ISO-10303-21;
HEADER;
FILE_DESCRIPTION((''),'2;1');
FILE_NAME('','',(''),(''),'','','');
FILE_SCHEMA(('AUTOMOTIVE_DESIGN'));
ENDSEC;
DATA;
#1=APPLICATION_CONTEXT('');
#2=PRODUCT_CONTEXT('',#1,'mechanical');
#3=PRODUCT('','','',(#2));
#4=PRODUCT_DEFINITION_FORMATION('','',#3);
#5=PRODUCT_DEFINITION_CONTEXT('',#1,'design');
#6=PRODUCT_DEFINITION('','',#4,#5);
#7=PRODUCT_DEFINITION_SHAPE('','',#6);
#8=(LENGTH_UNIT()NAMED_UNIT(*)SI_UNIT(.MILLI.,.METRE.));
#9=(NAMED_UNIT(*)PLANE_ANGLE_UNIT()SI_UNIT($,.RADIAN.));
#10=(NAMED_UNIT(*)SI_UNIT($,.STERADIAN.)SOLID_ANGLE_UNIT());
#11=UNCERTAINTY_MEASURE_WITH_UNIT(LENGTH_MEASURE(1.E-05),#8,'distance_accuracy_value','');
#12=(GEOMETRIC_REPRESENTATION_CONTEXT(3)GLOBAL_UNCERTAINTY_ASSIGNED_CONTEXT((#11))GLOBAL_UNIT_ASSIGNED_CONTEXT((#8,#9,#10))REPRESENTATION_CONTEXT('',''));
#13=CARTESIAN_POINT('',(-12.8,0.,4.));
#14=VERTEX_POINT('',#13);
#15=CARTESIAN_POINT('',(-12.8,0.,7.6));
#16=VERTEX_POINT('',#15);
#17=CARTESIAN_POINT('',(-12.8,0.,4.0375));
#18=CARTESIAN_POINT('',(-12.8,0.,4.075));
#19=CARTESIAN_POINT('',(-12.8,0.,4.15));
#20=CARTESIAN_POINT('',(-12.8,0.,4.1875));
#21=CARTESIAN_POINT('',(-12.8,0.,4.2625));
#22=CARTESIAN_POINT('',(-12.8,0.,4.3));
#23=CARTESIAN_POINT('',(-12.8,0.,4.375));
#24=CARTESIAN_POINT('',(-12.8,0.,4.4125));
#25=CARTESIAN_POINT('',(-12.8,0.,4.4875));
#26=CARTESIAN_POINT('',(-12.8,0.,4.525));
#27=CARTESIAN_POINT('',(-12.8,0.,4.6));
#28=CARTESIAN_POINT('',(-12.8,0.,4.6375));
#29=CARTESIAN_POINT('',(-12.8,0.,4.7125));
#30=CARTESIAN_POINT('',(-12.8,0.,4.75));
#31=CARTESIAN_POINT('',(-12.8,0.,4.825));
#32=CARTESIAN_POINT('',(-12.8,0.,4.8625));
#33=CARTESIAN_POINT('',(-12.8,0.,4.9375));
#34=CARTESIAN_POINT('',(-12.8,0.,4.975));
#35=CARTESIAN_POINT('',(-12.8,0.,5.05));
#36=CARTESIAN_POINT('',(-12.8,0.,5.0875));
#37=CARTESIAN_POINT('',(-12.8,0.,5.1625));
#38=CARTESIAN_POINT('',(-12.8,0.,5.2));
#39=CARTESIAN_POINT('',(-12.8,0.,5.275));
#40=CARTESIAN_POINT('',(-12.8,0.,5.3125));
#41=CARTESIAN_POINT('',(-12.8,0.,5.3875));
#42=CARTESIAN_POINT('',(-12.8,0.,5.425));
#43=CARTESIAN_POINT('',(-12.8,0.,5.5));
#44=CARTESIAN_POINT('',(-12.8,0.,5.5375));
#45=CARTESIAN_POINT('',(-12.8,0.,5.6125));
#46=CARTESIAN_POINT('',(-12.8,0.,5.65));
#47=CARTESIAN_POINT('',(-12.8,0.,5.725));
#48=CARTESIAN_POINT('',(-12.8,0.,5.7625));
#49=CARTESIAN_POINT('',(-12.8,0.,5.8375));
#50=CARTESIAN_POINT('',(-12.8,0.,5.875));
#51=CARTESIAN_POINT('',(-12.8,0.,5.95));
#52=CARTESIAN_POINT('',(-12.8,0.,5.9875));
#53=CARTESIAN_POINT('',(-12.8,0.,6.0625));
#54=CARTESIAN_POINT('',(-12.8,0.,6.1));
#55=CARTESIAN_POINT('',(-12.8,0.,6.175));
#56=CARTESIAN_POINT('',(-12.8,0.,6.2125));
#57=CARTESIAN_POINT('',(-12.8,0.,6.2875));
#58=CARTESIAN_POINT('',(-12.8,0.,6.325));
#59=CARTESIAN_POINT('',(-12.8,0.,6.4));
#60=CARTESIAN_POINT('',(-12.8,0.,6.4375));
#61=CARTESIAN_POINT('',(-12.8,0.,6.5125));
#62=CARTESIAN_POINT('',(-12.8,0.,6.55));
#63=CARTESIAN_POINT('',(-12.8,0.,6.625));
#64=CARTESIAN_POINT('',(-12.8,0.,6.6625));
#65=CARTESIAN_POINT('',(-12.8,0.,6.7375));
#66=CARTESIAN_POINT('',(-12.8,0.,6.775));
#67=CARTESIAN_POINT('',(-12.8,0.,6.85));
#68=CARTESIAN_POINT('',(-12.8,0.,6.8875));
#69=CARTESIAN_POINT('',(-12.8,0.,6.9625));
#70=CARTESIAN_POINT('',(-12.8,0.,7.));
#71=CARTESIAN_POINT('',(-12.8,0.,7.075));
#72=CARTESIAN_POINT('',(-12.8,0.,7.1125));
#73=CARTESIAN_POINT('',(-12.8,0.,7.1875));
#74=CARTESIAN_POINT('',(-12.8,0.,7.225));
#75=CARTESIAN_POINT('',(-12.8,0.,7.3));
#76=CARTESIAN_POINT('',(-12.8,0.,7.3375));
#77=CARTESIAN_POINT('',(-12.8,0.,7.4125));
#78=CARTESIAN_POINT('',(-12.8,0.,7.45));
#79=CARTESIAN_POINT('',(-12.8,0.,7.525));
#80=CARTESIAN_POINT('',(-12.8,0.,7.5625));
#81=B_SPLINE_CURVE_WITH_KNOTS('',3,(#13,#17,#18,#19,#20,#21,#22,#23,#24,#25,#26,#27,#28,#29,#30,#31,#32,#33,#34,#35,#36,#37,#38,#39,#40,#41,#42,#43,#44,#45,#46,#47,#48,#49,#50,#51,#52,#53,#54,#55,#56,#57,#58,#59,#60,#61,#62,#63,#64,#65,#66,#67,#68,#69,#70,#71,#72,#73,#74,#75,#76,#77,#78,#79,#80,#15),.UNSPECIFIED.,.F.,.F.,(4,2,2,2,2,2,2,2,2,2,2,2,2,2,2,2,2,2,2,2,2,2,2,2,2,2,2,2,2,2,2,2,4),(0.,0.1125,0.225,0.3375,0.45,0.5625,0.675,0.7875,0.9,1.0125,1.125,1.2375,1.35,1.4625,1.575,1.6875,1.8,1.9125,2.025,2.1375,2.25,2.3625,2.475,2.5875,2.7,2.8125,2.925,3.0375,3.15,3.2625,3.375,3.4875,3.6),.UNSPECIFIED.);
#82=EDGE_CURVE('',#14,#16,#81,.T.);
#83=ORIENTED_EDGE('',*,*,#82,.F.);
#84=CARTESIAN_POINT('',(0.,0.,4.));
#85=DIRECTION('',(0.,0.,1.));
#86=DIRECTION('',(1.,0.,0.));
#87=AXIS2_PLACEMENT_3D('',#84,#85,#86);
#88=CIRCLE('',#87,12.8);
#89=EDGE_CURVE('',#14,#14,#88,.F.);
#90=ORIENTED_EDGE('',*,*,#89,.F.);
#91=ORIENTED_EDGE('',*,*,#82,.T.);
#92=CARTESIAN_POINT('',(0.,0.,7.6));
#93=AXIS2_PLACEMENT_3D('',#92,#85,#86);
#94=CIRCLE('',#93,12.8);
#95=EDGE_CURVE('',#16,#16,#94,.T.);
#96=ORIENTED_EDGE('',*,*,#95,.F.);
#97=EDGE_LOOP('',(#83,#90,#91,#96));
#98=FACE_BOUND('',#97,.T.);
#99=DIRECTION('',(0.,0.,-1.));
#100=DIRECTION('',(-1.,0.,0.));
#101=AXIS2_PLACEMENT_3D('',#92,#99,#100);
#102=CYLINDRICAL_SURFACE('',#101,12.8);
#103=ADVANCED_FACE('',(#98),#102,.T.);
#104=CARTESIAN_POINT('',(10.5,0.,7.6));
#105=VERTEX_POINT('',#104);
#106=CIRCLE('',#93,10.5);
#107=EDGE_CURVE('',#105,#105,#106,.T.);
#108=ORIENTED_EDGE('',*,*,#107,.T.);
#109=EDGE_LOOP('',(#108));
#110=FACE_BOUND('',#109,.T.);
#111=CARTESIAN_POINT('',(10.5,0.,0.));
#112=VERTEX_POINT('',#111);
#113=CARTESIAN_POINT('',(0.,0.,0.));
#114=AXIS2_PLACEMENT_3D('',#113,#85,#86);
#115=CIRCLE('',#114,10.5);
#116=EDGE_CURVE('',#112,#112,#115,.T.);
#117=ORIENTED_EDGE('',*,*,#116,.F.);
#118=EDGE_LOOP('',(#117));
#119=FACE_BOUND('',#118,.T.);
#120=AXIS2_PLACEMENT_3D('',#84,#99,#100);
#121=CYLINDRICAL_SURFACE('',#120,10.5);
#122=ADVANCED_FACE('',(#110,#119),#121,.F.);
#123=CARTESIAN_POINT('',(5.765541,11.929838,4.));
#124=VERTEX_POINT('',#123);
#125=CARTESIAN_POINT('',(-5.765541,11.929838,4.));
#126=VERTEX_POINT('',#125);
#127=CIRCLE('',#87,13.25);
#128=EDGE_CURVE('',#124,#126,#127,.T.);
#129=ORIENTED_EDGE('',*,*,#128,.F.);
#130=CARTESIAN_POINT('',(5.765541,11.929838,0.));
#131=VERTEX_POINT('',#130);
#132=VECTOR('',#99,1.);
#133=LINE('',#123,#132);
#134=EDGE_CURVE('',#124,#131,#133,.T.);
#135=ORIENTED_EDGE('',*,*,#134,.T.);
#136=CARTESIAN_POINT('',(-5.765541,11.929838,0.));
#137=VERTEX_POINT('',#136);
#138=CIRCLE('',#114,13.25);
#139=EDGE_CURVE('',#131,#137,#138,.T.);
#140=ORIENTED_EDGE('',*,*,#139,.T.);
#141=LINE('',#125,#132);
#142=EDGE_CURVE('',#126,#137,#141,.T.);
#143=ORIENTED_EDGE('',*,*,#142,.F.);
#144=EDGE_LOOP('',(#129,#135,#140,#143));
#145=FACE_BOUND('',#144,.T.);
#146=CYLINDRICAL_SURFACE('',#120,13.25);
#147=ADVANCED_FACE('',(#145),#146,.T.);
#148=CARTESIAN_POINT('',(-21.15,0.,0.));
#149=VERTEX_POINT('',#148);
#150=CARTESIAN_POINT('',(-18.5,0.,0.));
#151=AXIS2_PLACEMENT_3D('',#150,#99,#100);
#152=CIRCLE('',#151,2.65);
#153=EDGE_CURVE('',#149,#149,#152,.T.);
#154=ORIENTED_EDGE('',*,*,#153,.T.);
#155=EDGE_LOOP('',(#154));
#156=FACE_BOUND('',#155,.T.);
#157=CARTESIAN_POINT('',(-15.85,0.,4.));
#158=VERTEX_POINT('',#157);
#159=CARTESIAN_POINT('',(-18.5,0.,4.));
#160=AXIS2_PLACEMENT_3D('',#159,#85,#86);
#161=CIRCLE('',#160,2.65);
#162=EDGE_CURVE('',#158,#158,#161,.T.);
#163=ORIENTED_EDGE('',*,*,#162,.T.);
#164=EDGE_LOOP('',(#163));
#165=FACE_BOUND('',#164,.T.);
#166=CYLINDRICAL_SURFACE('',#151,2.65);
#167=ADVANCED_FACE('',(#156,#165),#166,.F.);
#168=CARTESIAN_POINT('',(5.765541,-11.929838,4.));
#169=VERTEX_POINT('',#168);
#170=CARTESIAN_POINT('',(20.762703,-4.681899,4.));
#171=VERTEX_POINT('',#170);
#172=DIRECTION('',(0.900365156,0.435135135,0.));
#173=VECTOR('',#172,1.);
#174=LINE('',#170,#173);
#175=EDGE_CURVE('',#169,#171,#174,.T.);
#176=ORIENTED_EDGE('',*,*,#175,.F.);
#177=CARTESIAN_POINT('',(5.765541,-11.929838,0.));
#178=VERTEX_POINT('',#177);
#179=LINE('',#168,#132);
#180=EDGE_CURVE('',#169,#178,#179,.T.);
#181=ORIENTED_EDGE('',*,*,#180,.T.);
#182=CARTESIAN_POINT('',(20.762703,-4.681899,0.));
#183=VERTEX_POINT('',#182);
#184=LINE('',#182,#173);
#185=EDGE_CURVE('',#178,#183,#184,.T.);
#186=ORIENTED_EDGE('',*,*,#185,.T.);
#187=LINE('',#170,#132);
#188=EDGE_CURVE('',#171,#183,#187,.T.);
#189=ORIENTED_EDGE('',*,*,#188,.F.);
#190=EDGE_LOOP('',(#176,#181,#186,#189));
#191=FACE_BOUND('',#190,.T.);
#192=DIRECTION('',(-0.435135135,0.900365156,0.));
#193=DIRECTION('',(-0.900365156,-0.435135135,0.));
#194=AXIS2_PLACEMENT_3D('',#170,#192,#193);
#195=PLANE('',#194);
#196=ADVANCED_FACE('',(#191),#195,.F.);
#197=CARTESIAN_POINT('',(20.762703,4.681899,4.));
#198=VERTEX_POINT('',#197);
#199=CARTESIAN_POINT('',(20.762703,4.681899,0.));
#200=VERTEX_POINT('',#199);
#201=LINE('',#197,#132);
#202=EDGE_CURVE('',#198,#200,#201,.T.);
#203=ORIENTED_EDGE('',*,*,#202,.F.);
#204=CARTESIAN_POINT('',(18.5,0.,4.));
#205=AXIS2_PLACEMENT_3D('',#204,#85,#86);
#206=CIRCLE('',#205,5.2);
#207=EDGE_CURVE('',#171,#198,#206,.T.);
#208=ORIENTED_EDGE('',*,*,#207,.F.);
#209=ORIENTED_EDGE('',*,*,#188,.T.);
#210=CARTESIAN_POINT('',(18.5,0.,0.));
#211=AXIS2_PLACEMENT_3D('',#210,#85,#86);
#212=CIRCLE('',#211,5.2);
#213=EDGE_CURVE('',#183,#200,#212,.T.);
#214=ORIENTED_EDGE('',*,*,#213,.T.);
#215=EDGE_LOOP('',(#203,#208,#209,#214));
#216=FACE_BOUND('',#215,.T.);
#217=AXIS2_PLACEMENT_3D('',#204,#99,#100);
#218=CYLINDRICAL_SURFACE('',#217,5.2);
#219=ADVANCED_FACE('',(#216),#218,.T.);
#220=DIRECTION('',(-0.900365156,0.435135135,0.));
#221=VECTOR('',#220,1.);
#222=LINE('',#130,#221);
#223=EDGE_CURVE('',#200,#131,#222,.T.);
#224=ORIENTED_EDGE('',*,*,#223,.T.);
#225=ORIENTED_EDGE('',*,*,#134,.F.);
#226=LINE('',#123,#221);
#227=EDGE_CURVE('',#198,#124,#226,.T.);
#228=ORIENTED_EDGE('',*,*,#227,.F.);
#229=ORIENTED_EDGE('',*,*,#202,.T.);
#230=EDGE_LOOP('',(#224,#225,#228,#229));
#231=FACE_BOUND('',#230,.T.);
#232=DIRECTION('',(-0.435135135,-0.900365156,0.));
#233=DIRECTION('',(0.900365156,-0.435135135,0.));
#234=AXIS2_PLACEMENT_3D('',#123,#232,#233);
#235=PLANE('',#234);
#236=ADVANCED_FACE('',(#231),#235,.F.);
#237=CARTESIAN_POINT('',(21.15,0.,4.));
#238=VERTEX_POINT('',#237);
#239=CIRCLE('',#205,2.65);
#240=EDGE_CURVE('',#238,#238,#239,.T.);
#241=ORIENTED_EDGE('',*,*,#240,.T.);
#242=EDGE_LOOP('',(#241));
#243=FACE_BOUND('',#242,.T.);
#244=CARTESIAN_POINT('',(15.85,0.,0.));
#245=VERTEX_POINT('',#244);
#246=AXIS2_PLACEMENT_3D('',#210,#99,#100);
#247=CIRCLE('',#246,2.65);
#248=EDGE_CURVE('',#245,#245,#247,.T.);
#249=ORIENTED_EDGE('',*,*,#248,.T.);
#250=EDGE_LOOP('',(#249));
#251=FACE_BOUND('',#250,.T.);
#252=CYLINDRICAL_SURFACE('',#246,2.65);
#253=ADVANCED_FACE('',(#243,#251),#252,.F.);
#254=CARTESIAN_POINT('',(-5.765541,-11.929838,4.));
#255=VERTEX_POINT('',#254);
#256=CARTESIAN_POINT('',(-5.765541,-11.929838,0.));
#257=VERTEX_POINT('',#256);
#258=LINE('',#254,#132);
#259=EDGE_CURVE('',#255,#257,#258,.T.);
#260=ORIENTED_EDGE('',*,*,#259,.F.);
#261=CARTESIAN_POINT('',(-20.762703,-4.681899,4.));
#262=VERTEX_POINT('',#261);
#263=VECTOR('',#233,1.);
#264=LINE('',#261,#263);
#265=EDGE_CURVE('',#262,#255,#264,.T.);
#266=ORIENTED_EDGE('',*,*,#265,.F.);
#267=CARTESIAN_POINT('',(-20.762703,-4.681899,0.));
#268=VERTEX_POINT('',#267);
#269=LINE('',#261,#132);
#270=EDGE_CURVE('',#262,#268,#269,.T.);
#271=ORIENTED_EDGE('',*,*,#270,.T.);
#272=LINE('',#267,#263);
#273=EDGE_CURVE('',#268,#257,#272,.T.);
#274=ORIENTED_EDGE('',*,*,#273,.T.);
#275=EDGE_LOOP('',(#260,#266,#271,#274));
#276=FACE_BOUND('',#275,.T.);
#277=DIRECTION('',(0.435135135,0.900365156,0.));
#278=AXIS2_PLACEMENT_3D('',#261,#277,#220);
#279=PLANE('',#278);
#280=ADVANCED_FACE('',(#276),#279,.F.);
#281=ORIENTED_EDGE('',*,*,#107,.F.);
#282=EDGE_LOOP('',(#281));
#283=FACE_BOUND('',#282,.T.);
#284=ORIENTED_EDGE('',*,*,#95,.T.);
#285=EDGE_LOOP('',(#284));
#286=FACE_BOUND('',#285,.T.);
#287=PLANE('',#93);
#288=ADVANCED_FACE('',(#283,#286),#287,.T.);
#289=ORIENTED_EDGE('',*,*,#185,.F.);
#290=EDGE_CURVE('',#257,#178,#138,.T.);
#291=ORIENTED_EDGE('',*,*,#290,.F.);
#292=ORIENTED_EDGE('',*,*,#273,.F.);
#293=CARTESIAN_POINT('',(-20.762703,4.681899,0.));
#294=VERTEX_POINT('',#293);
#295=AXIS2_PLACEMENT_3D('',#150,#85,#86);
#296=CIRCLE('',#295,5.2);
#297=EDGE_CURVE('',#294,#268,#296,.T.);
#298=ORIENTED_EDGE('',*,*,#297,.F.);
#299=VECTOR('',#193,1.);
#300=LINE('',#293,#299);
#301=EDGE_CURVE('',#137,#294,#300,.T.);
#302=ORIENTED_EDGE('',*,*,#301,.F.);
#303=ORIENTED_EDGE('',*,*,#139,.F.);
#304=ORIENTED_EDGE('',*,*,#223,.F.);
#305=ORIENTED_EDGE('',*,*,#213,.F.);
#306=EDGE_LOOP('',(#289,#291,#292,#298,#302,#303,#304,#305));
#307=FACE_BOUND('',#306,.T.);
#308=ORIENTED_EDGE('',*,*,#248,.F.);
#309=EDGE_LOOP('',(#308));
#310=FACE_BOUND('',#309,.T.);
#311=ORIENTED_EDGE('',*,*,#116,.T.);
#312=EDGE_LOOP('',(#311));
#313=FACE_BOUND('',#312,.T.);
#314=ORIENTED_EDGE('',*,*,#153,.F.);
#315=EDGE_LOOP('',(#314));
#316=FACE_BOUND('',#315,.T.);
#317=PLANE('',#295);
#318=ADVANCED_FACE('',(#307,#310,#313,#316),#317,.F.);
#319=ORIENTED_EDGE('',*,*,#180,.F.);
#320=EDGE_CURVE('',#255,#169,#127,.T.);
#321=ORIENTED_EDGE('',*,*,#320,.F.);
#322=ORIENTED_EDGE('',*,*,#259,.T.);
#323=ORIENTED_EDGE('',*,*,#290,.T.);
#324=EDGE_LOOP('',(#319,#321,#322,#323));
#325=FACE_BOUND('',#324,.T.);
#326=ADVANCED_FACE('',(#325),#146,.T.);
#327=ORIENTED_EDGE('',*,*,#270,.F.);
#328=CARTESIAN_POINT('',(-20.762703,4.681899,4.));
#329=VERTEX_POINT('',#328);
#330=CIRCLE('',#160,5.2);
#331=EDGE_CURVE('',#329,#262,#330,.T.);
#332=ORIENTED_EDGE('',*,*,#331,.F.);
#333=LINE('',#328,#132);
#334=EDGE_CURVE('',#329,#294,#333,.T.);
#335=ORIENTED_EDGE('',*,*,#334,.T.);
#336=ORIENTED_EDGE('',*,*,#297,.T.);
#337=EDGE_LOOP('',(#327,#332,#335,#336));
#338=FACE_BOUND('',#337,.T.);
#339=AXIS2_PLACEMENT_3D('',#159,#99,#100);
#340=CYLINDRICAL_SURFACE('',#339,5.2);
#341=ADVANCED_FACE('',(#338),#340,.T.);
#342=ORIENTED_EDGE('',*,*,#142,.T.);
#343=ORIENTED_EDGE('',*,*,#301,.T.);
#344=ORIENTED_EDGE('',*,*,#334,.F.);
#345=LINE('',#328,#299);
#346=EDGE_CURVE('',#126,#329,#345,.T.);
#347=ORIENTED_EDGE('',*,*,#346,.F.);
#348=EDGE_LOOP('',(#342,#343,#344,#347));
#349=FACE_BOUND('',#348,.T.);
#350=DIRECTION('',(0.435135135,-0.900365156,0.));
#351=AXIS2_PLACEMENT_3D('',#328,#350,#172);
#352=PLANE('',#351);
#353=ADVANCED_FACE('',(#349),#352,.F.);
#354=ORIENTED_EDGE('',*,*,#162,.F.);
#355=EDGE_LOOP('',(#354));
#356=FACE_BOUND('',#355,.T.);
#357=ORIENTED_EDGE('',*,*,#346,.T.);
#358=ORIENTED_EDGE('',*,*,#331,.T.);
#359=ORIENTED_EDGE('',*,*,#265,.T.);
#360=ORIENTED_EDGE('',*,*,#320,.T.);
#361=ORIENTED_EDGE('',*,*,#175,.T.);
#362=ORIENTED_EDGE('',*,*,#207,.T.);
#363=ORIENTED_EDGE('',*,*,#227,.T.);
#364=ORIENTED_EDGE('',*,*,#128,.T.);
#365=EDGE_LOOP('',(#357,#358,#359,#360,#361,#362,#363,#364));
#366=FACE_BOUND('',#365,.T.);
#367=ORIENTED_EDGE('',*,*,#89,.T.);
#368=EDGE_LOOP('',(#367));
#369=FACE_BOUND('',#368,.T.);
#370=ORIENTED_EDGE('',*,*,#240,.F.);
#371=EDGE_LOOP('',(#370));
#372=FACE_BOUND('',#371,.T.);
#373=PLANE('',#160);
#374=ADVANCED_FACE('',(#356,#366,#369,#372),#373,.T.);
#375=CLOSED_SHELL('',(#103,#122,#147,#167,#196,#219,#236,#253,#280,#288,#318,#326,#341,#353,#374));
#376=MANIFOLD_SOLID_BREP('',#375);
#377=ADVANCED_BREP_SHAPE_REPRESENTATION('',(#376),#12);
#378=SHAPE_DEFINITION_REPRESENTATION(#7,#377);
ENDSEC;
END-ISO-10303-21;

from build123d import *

# Parameters (mm, degrees)
BASE_SKETCH_R                     = 10.5
BASE_EXTRUDE_DEPTH                = 4
BEARING_RETAINING_RING_SKETCH_R   = 12.8
BEARING_RETAINING_RING_SKETCH_R_2 = 10.5
BEARING_RETAINING_RING_DEPTH      = 7.6
MOUNTING_HOLES_D                  = 5.3


with BuildPart() as part:
    # Base Sketch → Base Extrude (new body)
    with BuildSketch(Plane.XY):
        with BuildLine():
            Line((-20.762702703, 4.681898811), (-5.765540541, 11.929838317))
            ThreePointArc((-5.765540541, 11.929838317), (0, 13.25), (5.765540541, 11.929838317))
            Line((5.765540541, 11.929838317), (20.762702703, 4.681898811))
            ThreePointArc((20.762702703, 4.681898811), (23.7, 0), (20.762702703, -4.681898811))
            Line((20.762702703, -4.681898811), (5.765540541, -11.929838317))
            ThreePointArc((5.765540541, -11.929838317), (0, -13.25), (-5.765540541, -11.929838317))
            Line((-5.765540541, -11.929838317), (-20.762702703, -4.681898811))
            ThreePointArc((-20.762702703, -4.681898811), (-23.7, 0), (-20.762702703, 4.681898811))
        make_face()
        Circle(BASE_SKETCH_R, mode=Mode.SUBTRACT)
    extrude(amount=BASE_EXTRUDE_DEPTH)

    # Bearing Retaining Ring Sketch → Bearing Retaining Ring (add)
    with BuildSketch(Plane.XY):
        with Locations(Location((0, 0, 0), (0, 0, 180))):
            Circle(BEARING_RETAINING_RING_SKETCH_R)
        Circle(BEARING_RETAINING_RING_SKETCH_R_2, mode=Mode.SUBTRACT)
    extrude(amount=BEARING_RETAINING_RING_DEPTH)

    # Mounting Holes (through all)
    with Locations(Plane(origin=(0, 0, 0), x_dir=(-1, 0, 0), z_dir=(0, 0, -1))):
        with Locations((18.5, 0), (-18.5, 0)):
            Hole(MOUNTING_HOLES_D / 2)


solid = part.part
